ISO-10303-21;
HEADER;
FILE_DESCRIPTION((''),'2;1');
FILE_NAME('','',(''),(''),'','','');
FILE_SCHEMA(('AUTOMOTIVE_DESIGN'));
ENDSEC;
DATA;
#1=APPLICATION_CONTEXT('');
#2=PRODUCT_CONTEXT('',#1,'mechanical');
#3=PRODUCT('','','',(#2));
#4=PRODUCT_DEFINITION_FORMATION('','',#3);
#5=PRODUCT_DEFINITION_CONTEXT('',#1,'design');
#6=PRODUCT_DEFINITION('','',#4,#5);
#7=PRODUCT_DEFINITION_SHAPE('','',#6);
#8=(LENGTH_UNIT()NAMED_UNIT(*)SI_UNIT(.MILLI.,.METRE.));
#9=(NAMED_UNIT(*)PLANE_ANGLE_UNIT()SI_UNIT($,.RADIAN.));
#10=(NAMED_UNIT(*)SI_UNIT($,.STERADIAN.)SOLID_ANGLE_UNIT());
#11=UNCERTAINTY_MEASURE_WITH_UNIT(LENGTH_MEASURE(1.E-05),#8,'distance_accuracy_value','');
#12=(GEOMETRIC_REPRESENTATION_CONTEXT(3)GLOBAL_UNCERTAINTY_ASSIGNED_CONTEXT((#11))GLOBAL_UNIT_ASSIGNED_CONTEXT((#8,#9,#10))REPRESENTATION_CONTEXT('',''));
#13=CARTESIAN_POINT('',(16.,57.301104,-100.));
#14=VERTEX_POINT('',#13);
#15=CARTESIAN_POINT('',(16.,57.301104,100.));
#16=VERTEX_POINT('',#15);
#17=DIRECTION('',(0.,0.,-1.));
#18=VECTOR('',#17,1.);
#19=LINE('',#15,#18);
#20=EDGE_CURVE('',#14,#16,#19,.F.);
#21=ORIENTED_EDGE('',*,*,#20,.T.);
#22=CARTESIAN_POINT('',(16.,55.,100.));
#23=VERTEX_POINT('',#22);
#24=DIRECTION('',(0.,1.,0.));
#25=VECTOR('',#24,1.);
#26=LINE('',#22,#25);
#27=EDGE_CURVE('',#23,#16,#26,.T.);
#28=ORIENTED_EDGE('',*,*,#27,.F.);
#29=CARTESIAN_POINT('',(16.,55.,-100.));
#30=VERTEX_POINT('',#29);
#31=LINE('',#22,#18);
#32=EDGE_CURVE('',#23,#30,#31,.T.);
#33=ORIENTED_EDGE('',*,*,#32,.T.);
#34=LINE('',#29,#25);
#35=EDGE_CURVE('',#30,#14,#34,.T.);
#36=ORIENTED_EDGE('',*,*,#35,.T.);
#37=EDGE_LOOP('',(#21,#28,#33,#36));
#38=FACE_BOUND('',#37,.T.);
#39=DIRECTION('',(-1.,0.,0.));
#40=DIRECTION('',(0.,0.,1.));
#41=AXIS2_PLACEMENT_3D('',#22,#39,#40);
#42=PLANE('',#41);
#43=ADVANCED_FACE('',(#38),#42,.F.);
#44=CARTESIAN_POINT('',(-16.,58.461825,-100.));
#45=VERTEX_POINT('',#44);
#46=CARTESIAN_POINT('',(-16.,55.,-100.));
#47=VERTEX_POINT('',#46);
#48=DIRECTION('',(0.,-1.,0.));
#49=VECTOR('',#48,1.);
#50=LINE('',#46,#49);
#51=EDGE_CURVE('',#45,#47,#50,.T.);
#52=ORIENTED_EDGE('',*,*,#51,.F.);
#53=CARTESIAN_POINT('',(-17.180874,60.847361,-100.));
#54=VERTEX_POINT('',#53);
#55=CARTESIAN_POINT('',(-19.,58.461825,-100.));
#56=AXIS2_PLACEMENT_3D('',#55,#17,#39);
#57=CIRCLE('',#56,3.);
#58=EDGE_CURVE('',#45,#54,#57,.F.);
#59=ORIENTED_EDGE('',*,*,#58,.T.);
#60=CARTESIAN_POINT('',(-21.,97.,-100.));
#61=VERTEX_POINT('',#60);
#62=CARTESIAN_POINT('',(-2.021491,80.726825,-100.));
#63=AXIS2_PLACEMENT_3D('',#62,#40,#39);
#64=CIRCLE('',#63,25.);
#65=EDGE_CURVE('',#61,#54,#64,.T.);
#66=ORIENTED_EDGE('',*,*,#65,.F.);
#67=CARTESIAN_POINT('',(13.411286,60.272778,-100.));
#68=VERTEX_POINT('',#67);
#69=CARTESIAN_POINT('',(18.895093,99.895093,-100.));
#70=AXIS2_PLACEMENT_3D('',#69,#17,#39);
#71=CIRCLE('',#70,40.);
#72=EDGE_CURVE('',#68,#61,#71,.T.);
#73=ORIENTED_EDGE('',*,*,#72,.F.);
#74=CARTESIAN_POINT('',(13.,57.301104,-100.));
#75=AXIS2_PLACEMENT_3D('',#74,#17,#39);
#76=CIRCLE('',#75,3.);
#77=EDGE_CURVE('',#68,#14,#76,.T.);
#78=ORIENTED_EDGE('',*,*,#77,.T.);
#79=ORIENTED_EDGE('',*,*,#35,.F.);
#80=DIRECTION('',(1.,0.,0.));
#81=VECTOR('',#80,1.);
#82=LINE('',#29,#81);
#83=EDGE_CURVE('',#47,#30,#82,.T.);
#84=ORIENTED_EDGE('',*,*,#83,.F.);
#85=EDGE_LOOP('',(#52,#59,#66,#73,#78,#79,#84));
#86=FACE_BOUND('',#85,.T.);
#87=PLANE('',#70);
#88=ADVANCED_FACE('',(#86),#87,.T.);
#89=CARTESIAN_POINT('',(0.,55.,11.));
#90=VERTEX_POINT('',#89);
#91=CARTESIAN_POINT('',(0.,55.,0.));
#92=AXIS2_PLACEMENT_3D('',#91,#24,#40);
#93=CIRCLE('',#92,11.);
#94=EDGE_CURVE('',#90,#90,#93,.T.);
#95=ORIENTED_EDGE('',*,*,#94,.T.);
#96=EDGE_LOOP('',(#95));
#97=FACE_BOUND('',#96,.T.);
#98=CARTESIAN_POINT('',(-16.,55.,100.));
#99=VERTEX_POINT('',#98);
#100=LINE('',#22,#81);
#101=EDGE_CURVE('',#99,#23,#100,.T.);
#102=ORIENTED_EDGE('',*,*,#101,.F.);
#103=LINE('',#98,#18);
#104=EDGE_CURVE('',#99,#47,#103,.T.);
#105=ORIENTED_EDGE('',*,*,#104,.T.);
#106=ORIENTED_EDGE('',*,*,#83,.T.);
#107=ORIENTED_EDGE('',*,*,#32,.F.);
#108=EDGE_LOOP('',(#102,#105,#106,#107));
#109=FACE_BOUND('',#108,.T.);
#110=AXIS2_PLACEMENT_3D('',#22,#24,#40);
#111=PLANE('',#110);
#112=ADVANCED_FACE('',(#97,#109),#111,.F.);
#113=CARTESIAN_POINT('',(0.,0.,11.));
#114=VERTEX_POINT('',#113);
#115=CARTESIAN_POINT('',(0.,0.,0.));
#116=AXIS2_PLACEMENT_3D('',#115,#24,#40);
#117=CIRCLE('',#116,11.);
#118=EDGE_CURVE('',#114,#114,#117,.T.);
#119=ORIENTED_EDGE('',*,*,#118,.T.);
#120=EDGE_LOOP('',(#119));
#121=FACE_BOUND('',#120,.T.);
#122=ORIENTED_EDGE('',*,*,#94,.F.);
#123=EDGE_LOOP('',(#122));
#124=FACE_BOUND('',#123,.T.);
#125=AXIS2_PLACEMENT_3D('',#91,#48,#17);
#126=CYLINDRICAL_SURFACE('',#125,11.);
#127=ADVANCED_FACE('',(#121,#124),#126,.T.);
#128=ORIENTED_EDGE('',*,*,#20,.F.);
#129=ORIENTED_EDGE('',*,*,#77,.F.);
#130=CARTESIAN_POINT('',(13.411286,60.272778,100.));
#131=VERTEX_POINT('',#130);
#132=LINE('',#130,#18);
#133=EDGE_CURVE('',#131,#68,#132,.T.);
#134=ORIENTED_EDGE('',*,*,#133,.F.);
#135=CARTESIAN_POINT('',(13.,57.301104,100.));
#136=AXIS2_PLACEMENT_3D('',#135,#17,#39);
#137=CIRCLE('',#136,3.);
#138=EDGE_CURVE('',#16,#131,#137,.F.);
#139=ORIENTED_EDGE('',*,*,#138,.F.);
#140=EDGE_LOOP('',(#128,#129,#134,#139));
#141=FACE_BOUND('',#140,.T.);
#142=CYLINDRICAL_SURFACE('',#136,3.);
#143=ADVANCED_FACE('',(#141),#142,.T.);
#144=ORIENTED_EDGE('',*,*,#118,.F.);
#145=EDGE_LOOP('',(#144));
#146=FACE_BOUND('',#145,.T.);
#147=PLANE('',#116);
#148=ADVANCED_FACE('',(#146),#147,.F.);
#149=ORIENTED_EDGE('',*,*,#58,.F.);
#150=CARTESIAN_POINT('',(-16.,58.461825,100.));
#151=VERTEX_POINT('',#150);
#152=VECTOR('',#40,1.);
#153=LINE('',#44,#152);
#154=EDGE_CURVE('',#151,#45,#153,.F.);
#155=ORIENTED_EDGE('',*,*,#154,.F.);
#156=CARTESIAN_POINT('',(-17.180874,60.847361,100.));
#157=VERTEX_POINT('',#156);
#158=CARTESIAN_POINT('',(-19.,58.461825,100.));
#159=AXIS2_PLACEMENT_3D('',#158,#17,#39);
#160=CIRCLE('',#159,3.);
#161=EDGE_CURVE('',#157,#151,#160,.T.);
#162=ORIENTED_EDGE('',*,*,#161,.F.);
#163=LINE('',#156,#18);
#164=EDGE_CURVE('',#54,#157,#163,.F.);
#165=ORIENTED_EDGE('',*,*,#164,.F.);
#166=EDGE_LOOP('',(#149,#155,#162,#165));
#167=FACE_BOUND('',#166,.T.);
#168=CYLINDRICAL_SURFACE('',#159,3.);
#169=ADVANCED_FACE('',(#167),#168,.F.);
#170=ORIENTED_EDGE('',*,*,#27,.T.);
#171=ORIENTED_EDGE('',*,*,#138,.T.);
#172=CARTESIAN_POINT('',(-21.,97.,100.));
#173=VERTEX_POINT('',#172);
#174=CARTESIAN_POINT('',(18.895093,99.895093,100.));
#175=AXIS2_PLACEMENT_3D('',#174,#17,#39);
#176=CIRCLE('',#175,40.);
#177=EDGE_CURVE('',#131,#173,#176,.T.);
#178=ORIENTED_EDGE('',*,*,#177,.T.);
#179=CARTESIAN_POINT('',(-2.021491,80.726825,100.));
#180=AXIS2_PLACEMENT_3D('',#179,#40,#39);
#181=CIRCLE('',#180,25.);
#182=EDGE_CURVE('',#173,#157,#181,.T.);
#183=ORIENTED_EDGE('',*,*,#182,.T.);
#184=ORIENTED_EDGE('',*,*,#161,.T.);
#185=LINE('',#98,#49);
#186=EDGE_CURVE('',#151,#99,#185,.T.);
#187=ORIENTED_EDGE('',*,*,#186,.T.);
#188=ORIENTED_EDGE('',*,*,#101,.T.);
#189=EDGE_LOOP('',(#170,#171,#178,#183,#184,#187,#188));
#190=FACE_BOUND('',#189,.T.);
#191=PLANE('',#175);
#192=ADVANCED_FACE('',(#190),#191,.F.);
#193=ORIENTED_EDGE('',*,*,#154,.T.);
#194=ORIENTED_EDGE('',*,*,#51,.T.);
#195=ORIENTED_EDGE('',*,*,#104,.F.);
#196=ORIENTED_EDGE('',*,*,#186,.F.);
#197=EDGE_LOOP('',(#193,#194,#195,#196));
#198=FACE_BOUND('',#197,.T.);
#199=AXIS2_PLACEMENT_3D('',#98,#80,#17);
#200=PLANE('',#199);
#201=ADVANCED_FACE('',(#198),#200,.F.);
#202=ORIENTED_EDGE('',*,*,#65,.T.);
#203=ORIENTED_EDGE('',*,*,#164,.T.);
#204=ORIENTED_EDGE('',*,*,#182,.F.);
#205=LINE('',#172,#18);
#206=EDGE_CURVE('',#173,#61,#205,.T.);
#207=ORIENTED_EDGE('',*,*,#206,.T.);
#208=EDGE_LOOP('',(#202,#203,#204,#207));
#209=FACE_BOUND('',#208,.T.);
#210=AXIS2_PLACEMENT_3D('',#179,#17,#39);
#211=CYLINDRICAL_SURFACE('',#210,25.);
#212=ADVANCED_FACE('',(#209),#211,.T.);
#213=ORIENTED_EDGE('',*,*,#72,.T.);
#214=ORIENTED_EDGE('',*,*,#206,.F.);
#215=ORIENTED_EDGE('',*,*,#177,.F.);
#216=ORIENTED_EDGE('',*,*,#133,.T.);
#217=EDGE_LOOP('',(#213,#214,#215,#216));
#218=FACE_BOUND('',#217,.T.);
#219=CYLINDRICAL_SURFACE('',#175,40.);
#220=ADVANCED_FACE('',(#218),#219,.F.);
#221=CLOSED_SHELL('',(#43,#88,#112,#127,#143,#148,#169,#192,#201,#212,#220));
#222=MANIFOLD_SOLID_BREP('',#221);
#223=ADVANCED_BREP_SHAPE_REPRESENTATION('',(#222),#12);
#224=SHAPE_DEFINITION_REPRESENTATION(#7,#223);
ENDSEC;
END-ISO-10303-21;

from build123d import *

# Parameters (mm, degrees)
SKETCH1_R           = 11
BOSS_EXTRUDE1_DEPTH = 55
BOSS_EXTRUDE2_DEPTH = 100
FILLET1_R           = 3


with BuildPart() as part:
    # Sketch1 → Boss-Extrude1 (new body)
    with BuildSketch(Plane(origin=(0, 0, 0), x_dir=(1, 0, 0), z_dir=(0, 1, 0))):
        with Locations(Location((0, 0, 0), (0, 0, 270))):
            Circle(SKETCH1_R)
    extrude(amount=BOSS_EXTRUDE1_DEPTH)

    # Sketch2 → Boss-Extrude2 (add, symmetric)
    with BuildSketch(Plane.XY):
        with BuildLine():
            Line((16, 55), (-16, 55))
            Line((-16, 55), (-16, 60))
            ThreePointArc((-16, 60), (-26.796302084, 77.378878097), (-21, 97))
            ThreePointArc((-21, 97), (-9.389178352, 71.610821648), (16, 60))
            Line((16, 60), (16, 55))
        make_face()
    extrude(amount=BOSS_EXTRUDE2_DEPTH, both=True)

    # Fillet1
    fillet1_edges = [part.edges().sort_by_distance(p)[0] for p in [
        (16, 60, 0),
        (-16, 60, 0),
    ]]
    fillet(fillet1_edges, radius=FILLET1_R)


solid = part.part
